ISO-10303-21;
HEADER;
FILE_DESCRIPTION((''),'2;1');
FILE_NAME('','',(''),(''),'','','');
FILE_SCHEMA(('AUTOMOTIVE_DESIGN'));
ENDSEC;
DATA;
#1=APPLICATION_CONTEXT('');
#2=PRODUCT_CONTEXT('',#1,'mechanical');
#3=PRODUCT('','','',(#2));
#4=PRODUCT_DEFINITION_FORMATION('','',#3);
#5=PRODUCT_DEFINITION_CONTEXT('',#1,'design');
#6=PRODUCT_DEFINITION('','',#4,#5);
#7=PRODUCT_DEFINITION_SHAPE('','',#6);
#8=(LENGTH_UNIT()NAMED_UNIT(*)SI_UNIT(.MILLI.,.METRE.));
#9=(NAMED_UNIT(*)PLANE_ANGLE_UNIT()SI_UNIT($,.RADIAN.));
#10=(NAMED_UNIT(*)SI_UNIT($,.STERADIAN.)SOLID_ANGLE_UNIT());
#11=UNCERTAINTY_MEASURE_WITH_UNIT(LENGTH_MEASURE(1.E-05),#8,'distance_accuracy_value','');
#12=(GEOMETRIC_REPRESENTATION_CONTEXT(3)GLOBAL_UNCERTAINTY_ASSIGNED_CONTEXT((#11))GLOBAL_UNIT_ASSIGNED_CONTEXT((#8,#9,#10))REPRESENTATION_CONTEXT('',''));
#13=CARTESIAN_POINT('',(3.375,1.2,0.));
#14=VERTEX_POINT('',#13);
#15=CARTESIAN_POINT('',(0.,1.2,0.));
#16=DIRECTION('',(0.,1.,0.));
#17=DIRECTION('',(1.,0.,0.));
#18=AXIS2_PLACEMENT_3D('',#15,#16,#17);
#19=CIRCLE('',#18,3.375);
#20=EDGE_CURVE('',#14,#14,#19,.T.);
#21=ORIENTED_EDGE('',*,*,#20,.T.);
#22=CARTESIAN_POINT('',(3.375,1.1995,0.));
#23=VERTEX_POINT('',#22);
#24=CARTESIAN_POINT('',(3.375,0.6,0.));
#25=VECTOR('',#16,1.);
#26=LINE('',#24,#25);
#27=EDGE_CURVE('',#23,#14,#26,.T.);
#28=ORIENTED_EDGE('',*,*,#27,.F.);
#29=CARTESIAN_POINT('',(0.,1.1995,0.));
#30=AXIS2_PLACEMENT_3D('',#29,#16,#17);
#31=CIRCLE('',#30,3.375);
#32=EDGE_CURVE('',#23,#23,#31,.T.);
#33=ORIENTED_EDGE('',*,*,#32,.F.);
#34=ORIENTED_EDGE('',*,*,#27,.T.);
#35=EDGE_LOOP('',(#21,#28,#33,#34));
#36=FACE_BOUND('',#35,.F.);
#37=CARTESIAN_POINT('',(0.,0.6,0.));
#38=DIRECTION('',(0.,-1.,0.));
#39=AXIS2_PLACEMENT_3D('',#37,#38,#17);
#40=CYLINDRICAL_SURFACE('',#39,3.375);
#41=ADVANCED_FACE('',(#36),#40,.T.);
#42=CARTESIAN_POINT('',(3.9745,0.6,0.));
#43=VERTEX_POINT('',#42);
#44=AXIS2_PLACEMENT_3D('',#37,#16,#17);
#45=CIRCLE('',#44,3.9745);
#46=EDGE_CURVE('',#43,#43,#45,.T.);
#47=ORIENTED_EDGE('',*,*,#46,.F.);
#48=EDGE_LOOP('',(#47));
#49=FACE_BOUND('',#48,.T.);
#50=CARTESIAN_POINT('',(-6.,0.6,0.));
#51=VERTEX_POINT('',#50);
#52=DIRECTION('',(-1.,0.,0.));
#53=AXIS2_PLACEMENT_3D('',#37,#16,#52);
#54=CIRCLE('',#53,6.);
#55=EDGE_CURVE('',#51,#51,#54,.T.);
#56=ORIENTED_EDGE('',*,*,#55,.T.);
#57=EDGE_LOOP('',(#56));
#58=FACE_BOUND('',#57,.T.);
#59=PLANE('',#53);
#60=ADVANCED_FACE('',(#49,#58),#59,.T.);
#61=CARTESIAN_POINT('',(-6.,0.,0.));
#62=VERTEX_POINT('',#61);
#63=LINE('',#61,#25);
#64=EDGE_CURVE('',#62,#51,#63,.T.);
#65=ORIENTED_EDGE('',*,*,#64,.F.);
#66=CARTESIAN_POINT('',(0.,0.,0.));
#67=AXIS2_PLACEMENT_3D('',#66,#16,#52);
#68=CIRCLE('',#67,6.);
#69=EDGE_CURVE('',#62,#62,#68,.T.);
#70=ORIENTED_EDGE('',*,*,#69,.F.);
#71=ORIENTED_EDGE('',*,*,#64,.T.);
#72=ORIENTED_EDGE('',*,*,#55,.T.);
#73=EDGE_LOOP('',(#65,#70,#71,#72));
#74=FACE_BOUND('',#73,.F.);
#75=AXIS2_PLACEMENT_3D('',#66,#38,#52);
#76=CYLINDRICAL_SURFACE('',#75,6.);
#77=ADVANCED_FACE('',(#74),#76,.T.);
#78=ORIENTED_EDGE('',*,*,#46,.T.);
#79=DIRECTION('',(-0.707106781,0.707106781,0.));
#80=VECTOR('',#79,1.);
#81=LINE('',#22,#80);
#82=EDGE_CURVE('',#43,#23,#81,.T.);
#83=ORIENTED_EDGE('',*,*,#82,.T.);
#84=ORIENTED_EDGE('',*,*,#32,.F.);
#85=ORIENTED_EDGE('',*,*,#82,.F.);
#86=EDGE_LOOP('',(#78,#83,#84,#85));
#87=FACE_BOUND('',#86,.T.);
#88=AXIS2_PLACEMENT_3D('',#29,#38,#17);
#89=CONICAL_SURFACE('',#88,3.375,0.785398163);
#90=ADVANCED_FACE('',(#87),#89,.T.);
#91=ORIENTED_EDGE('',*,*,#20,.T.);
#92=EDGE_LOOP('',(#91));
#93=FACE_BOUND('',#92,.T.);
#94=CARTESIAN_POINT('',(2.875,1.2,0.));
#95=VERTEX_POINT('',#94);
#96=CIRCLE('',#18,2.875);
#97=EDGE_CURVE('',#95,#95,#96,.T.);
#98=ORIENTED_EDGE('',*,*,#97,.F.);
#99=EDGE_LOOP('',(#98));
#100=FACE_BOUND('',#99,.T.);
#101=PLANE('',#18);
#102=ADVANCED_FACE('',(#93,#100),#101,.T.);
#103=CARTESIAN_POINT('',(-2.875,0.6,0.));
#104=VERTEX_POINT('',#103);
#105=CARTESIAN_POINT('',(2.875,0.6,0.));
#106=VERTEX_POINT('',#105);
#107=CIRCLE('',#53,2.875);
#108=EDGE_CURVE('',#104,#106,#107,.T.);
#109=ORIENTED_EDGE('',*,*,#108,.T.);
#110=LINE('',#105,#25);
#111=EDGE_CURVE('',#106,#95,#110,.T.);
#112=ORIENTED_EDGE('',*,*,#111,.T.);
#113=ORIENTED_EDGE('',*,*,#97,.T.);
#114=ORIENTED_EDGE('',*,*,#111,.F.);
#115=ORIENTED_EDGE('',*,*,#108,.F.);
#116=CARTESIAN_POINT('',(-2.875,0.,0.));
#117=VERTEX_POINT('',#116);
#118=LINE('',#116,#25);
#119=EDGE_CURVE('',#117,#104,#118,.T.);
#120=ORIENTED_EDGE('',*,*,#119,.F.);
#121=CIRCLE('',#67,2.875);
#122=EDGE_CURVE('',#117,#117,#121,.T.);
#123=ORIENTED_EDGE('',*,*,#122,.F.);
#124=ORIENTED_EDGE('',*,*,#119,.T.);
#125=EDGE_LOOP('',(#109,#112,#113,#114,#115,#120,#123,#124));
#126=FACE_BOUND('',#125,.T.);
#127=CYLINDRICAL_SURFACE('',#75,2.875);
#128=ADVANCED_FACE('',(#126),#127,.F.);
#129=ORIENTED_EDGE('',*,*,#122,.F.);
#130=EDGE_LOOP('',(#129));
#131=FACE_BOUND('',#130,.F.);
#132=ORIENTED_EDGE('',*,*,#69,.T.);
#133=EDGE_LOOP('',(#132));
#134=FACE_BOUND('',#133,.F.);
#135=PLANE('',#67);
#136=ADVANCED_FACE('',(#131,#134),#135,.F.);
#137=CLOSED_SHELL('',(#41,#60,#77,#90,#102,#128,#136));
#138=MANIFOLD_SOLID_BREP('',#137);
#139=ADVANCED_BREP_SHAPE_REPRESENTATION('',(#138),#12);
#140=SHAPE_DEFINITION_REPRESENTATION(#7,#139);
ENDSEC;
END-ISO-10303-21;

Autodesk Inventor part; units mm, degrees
ref_plane "YZ Plane" through (0, 0, 0) normal (1, 0, 0) x (0, 1, 0)
ref_plane "XZ Plane" through (0, 0, 0) normal (0, 1, 0) x (-1, 0, 0)
ref_plane "XY Plane" through (0, 0, 0) normal (0, 0, 1) x (1, 0, 0)
sketch "Sketch1" plane through (0, 0, 0) normal (0, 1, 0) x (-1, 0, 0)
  circle A0 centre (0, 0) radius 2.875
  circle A1 centre (0, 0) radius 6
  dimension "d0" = 5.75
  dimension "d1" = 12
extrude "Extrusion1" add sketch "Sketch1" along normal blind 0.6
sketch "Sketch2" plane through (0, 0.6, 0) normal (0, 1, 0) x (1, 0, 0)
  circle A0 centre (0, 0) radius 2.875 projected
  circle A1 centre (0, 0) radius 6 projected
  circle A2 centre (0, 0) radius 3.375
  dimension "d4" = 0.5
extrude "Extrusion2" add sketch "Sketch2" along normal blind 0.6 contours A2
chamfer "Chamfer1" distance 0.6 angle 45 1 edges at (-3.375, 0.6, 0)
properties part number "m5_shim_alt"
